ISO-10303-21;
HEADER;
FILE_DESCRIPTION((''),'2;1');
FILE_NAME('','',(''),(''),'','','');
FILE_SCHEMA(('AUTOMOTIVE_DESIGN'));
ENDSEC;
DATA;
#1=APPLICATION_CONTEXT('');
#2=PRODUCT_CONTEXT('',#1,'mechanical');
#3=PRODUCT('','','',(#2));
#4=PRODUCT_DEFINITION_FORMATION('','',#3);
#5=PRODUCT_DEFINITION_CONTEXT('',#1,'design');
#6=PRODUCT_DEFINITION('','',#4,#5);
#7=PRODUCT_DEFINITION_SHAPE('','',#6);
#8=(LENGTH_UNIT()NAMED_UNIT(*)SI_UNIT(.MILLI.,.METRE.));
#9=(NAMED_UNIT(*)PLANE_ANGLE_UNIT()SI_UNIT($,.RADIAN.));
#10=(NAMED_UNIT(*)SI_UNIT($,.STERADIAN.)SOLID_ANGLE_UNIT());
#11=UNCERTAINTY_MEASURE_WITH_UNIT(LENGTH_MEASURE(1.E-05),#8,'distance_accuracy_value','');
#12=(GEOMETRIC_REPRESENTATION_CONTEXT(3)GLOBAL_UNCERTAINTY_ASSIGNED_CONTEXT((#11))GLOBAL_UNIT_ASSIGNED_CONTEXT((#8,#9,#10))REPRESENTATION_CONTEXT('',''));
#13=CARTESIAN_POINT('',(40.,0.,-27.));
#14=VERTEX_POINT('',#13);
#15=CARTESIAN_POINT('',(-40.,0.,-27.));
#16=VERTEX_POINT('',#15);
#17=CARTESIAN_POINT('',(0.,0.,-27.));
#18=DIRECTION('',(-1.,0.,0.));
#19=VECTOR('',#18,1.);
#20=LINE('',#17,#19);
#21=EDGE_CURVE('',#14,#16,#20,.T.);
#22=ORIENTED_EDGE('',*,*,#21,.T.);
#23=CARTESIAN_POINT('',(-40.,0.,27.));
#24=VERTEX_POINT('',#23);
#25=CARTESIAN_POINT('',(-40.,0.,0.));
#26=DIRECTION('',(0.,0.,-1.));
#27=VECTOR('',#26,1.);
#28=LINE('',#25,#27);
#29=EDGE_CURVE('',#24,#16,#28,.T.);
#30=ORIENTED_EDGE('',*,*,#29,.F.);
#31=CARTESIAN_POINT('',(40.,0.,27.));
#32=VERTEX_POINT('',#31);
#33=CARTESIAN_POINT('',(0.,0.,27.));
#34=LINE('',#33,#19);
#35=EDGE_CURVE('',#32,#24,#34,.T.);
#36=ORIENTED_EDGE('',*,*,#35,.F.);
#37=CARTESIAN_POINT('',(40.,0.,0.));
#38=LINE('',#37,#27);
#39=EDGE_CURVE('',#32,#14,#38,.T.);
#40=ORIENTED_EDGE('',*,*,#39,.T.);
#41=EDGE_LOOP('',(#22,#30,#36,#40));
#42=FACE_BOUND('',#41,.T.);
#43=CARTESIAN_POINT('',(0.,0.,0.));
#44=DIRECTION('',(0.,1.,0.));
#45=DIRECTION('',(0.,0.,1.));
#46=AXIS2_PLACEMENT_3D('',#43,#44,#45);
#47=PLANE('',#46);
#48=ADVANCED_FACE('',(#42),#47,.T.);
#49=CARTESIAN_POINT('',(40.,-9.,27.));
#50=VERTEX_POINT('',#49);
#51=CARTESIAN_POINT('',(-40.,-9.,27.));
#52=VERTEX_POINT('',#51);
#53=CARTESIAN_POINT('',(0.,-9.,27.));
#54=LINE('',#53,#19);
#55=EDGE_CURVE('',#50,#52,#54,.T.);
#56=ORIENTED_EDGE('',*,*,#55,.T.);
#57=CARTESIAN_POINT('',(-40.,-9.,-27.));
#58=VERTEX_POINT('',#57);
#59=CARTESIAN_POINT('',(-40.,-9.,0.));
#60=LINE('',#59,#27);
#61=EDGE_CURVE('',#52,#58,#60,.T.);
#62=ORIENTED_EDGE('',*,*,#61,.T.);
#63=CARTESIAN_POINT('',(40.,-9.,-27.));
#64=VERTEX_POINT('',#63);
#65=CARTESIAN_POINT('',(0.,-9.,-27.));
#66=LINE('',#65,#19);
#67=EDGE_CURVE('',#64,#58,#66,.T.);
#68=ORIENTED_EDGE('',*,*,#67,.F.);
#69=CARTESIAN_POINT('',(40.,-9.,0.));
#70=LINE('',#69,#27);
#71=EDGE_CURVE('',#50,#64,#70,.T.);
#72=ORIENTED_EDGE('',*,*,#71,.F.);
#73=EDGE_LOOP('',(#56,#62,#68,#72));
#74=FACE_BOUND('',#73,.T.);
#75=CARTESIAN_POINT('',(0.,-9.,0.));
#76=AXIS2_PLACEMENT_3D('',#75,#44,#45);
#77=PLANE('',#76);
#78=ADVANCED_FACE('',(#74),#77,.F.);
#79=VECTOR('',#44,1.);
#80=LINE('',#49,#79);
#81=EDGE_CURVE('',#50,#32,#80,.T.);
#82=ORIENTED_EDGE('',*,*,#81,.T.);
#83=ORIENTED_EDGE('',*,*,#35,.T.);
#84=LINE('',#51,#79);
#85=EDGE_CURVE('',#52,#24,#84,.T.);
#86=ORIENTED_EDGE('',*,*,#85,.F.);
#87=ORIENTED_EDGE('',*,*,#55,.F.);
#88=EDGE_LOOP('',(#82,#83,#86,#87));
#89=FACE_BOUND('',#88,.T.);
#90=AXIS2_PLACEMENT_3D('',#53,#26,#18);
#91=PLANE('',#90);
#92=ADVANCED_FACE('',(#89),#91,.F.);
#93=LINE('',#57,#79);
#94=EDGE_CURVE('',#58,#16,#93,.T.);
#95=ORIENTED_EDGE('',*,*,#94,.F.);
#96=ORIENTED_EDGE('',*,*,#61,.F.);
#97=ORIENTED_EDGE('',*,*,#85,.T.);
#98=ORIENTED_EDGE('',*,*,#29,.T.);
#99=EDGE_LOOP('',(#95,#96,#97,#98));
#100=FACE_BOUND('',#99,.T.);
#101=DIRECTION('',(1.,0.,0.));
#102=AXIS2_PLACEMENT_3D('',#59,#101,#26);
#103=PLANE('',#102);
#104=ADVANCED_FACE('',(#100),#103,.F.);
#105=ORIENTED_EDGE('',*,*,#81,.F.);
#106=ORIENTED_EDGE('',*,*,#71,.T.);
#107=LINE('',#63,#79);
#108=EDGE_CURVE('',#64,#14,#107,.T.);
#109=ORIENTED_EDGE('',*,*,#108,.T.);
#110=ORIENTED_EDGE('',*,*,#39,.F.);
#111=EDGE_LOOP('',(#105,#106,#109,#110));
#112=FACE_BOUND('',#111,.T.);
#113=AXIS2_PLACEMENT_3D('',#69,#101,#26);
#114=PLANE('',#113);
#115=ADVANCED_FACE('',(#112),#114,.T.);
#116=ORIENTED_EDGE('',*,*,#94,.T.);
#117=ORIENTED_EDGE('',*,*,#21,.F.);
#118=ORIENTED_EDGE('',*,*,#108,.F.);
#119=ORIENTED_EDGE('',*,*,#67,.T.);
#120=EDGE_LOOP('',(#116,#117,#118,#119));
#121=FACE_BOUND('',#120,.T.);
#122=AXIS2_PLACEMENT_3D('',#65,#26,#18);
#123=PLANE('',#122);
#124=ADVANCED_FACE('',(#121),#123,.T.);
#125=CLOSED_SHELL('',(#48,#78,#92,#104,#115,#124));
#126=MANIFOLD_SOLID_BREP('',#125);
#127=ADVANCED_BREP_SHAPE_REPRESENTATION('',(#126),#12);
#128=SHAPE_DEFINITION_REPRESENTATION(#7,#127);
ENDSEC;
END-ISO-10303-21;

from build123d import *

# Parameters (mm, degrees)
SKETCH1_W           = 13.75
SKETCH1_H           = 40
SKETCH1_W_2         = 13.25
BOSS_EXTRUDE1_DEPTH = 9


with BuildPart() as part:
    # Sketch1 → Boss-Extrude1 (new body)
    with BuildSketch(Plane(origin=(2.725879216, 0, 0), x_dir=(0, 0, -1), z_dir=(0, -1, 0))):
        with Locations((-20.125, 17.274120784)):
            Rectangle(SKETCH1_W, SKETCH1_H)
        with Locations((-20.125, -22.725879216)):
            Rectangle(SKETCH1_W, SKETCH1_H)
        with Locations((-6.375, 17.274120784)):
            Rectangle(SKETCH1_W, SKETCH1_H)
        with Locations((-6.375, -22.725879216)):
            Rectangle(SKETCH1_W, SKETCH1_H)
        with Locations((7.125, 17.274120784)):
            Rectangle(SKETCH1_W_2, SKETCH1_H)
        with Locations((7.125, -22.725879216)):
            Rectangle(SKETCH1_W_2, SKETCH1_H)
        with Locations((20.375, 17.274120784)):
            Rectangle(SKETCH1_W_2, SKETCH1_H)
        with Locations((20.375, -22.725879216)):
            Rectangle(SKETCH1_W_2, SKETCH1_H)
    extrude(amount=BOSS_EXTRUDE1_DEPTH)


solid = part.part
